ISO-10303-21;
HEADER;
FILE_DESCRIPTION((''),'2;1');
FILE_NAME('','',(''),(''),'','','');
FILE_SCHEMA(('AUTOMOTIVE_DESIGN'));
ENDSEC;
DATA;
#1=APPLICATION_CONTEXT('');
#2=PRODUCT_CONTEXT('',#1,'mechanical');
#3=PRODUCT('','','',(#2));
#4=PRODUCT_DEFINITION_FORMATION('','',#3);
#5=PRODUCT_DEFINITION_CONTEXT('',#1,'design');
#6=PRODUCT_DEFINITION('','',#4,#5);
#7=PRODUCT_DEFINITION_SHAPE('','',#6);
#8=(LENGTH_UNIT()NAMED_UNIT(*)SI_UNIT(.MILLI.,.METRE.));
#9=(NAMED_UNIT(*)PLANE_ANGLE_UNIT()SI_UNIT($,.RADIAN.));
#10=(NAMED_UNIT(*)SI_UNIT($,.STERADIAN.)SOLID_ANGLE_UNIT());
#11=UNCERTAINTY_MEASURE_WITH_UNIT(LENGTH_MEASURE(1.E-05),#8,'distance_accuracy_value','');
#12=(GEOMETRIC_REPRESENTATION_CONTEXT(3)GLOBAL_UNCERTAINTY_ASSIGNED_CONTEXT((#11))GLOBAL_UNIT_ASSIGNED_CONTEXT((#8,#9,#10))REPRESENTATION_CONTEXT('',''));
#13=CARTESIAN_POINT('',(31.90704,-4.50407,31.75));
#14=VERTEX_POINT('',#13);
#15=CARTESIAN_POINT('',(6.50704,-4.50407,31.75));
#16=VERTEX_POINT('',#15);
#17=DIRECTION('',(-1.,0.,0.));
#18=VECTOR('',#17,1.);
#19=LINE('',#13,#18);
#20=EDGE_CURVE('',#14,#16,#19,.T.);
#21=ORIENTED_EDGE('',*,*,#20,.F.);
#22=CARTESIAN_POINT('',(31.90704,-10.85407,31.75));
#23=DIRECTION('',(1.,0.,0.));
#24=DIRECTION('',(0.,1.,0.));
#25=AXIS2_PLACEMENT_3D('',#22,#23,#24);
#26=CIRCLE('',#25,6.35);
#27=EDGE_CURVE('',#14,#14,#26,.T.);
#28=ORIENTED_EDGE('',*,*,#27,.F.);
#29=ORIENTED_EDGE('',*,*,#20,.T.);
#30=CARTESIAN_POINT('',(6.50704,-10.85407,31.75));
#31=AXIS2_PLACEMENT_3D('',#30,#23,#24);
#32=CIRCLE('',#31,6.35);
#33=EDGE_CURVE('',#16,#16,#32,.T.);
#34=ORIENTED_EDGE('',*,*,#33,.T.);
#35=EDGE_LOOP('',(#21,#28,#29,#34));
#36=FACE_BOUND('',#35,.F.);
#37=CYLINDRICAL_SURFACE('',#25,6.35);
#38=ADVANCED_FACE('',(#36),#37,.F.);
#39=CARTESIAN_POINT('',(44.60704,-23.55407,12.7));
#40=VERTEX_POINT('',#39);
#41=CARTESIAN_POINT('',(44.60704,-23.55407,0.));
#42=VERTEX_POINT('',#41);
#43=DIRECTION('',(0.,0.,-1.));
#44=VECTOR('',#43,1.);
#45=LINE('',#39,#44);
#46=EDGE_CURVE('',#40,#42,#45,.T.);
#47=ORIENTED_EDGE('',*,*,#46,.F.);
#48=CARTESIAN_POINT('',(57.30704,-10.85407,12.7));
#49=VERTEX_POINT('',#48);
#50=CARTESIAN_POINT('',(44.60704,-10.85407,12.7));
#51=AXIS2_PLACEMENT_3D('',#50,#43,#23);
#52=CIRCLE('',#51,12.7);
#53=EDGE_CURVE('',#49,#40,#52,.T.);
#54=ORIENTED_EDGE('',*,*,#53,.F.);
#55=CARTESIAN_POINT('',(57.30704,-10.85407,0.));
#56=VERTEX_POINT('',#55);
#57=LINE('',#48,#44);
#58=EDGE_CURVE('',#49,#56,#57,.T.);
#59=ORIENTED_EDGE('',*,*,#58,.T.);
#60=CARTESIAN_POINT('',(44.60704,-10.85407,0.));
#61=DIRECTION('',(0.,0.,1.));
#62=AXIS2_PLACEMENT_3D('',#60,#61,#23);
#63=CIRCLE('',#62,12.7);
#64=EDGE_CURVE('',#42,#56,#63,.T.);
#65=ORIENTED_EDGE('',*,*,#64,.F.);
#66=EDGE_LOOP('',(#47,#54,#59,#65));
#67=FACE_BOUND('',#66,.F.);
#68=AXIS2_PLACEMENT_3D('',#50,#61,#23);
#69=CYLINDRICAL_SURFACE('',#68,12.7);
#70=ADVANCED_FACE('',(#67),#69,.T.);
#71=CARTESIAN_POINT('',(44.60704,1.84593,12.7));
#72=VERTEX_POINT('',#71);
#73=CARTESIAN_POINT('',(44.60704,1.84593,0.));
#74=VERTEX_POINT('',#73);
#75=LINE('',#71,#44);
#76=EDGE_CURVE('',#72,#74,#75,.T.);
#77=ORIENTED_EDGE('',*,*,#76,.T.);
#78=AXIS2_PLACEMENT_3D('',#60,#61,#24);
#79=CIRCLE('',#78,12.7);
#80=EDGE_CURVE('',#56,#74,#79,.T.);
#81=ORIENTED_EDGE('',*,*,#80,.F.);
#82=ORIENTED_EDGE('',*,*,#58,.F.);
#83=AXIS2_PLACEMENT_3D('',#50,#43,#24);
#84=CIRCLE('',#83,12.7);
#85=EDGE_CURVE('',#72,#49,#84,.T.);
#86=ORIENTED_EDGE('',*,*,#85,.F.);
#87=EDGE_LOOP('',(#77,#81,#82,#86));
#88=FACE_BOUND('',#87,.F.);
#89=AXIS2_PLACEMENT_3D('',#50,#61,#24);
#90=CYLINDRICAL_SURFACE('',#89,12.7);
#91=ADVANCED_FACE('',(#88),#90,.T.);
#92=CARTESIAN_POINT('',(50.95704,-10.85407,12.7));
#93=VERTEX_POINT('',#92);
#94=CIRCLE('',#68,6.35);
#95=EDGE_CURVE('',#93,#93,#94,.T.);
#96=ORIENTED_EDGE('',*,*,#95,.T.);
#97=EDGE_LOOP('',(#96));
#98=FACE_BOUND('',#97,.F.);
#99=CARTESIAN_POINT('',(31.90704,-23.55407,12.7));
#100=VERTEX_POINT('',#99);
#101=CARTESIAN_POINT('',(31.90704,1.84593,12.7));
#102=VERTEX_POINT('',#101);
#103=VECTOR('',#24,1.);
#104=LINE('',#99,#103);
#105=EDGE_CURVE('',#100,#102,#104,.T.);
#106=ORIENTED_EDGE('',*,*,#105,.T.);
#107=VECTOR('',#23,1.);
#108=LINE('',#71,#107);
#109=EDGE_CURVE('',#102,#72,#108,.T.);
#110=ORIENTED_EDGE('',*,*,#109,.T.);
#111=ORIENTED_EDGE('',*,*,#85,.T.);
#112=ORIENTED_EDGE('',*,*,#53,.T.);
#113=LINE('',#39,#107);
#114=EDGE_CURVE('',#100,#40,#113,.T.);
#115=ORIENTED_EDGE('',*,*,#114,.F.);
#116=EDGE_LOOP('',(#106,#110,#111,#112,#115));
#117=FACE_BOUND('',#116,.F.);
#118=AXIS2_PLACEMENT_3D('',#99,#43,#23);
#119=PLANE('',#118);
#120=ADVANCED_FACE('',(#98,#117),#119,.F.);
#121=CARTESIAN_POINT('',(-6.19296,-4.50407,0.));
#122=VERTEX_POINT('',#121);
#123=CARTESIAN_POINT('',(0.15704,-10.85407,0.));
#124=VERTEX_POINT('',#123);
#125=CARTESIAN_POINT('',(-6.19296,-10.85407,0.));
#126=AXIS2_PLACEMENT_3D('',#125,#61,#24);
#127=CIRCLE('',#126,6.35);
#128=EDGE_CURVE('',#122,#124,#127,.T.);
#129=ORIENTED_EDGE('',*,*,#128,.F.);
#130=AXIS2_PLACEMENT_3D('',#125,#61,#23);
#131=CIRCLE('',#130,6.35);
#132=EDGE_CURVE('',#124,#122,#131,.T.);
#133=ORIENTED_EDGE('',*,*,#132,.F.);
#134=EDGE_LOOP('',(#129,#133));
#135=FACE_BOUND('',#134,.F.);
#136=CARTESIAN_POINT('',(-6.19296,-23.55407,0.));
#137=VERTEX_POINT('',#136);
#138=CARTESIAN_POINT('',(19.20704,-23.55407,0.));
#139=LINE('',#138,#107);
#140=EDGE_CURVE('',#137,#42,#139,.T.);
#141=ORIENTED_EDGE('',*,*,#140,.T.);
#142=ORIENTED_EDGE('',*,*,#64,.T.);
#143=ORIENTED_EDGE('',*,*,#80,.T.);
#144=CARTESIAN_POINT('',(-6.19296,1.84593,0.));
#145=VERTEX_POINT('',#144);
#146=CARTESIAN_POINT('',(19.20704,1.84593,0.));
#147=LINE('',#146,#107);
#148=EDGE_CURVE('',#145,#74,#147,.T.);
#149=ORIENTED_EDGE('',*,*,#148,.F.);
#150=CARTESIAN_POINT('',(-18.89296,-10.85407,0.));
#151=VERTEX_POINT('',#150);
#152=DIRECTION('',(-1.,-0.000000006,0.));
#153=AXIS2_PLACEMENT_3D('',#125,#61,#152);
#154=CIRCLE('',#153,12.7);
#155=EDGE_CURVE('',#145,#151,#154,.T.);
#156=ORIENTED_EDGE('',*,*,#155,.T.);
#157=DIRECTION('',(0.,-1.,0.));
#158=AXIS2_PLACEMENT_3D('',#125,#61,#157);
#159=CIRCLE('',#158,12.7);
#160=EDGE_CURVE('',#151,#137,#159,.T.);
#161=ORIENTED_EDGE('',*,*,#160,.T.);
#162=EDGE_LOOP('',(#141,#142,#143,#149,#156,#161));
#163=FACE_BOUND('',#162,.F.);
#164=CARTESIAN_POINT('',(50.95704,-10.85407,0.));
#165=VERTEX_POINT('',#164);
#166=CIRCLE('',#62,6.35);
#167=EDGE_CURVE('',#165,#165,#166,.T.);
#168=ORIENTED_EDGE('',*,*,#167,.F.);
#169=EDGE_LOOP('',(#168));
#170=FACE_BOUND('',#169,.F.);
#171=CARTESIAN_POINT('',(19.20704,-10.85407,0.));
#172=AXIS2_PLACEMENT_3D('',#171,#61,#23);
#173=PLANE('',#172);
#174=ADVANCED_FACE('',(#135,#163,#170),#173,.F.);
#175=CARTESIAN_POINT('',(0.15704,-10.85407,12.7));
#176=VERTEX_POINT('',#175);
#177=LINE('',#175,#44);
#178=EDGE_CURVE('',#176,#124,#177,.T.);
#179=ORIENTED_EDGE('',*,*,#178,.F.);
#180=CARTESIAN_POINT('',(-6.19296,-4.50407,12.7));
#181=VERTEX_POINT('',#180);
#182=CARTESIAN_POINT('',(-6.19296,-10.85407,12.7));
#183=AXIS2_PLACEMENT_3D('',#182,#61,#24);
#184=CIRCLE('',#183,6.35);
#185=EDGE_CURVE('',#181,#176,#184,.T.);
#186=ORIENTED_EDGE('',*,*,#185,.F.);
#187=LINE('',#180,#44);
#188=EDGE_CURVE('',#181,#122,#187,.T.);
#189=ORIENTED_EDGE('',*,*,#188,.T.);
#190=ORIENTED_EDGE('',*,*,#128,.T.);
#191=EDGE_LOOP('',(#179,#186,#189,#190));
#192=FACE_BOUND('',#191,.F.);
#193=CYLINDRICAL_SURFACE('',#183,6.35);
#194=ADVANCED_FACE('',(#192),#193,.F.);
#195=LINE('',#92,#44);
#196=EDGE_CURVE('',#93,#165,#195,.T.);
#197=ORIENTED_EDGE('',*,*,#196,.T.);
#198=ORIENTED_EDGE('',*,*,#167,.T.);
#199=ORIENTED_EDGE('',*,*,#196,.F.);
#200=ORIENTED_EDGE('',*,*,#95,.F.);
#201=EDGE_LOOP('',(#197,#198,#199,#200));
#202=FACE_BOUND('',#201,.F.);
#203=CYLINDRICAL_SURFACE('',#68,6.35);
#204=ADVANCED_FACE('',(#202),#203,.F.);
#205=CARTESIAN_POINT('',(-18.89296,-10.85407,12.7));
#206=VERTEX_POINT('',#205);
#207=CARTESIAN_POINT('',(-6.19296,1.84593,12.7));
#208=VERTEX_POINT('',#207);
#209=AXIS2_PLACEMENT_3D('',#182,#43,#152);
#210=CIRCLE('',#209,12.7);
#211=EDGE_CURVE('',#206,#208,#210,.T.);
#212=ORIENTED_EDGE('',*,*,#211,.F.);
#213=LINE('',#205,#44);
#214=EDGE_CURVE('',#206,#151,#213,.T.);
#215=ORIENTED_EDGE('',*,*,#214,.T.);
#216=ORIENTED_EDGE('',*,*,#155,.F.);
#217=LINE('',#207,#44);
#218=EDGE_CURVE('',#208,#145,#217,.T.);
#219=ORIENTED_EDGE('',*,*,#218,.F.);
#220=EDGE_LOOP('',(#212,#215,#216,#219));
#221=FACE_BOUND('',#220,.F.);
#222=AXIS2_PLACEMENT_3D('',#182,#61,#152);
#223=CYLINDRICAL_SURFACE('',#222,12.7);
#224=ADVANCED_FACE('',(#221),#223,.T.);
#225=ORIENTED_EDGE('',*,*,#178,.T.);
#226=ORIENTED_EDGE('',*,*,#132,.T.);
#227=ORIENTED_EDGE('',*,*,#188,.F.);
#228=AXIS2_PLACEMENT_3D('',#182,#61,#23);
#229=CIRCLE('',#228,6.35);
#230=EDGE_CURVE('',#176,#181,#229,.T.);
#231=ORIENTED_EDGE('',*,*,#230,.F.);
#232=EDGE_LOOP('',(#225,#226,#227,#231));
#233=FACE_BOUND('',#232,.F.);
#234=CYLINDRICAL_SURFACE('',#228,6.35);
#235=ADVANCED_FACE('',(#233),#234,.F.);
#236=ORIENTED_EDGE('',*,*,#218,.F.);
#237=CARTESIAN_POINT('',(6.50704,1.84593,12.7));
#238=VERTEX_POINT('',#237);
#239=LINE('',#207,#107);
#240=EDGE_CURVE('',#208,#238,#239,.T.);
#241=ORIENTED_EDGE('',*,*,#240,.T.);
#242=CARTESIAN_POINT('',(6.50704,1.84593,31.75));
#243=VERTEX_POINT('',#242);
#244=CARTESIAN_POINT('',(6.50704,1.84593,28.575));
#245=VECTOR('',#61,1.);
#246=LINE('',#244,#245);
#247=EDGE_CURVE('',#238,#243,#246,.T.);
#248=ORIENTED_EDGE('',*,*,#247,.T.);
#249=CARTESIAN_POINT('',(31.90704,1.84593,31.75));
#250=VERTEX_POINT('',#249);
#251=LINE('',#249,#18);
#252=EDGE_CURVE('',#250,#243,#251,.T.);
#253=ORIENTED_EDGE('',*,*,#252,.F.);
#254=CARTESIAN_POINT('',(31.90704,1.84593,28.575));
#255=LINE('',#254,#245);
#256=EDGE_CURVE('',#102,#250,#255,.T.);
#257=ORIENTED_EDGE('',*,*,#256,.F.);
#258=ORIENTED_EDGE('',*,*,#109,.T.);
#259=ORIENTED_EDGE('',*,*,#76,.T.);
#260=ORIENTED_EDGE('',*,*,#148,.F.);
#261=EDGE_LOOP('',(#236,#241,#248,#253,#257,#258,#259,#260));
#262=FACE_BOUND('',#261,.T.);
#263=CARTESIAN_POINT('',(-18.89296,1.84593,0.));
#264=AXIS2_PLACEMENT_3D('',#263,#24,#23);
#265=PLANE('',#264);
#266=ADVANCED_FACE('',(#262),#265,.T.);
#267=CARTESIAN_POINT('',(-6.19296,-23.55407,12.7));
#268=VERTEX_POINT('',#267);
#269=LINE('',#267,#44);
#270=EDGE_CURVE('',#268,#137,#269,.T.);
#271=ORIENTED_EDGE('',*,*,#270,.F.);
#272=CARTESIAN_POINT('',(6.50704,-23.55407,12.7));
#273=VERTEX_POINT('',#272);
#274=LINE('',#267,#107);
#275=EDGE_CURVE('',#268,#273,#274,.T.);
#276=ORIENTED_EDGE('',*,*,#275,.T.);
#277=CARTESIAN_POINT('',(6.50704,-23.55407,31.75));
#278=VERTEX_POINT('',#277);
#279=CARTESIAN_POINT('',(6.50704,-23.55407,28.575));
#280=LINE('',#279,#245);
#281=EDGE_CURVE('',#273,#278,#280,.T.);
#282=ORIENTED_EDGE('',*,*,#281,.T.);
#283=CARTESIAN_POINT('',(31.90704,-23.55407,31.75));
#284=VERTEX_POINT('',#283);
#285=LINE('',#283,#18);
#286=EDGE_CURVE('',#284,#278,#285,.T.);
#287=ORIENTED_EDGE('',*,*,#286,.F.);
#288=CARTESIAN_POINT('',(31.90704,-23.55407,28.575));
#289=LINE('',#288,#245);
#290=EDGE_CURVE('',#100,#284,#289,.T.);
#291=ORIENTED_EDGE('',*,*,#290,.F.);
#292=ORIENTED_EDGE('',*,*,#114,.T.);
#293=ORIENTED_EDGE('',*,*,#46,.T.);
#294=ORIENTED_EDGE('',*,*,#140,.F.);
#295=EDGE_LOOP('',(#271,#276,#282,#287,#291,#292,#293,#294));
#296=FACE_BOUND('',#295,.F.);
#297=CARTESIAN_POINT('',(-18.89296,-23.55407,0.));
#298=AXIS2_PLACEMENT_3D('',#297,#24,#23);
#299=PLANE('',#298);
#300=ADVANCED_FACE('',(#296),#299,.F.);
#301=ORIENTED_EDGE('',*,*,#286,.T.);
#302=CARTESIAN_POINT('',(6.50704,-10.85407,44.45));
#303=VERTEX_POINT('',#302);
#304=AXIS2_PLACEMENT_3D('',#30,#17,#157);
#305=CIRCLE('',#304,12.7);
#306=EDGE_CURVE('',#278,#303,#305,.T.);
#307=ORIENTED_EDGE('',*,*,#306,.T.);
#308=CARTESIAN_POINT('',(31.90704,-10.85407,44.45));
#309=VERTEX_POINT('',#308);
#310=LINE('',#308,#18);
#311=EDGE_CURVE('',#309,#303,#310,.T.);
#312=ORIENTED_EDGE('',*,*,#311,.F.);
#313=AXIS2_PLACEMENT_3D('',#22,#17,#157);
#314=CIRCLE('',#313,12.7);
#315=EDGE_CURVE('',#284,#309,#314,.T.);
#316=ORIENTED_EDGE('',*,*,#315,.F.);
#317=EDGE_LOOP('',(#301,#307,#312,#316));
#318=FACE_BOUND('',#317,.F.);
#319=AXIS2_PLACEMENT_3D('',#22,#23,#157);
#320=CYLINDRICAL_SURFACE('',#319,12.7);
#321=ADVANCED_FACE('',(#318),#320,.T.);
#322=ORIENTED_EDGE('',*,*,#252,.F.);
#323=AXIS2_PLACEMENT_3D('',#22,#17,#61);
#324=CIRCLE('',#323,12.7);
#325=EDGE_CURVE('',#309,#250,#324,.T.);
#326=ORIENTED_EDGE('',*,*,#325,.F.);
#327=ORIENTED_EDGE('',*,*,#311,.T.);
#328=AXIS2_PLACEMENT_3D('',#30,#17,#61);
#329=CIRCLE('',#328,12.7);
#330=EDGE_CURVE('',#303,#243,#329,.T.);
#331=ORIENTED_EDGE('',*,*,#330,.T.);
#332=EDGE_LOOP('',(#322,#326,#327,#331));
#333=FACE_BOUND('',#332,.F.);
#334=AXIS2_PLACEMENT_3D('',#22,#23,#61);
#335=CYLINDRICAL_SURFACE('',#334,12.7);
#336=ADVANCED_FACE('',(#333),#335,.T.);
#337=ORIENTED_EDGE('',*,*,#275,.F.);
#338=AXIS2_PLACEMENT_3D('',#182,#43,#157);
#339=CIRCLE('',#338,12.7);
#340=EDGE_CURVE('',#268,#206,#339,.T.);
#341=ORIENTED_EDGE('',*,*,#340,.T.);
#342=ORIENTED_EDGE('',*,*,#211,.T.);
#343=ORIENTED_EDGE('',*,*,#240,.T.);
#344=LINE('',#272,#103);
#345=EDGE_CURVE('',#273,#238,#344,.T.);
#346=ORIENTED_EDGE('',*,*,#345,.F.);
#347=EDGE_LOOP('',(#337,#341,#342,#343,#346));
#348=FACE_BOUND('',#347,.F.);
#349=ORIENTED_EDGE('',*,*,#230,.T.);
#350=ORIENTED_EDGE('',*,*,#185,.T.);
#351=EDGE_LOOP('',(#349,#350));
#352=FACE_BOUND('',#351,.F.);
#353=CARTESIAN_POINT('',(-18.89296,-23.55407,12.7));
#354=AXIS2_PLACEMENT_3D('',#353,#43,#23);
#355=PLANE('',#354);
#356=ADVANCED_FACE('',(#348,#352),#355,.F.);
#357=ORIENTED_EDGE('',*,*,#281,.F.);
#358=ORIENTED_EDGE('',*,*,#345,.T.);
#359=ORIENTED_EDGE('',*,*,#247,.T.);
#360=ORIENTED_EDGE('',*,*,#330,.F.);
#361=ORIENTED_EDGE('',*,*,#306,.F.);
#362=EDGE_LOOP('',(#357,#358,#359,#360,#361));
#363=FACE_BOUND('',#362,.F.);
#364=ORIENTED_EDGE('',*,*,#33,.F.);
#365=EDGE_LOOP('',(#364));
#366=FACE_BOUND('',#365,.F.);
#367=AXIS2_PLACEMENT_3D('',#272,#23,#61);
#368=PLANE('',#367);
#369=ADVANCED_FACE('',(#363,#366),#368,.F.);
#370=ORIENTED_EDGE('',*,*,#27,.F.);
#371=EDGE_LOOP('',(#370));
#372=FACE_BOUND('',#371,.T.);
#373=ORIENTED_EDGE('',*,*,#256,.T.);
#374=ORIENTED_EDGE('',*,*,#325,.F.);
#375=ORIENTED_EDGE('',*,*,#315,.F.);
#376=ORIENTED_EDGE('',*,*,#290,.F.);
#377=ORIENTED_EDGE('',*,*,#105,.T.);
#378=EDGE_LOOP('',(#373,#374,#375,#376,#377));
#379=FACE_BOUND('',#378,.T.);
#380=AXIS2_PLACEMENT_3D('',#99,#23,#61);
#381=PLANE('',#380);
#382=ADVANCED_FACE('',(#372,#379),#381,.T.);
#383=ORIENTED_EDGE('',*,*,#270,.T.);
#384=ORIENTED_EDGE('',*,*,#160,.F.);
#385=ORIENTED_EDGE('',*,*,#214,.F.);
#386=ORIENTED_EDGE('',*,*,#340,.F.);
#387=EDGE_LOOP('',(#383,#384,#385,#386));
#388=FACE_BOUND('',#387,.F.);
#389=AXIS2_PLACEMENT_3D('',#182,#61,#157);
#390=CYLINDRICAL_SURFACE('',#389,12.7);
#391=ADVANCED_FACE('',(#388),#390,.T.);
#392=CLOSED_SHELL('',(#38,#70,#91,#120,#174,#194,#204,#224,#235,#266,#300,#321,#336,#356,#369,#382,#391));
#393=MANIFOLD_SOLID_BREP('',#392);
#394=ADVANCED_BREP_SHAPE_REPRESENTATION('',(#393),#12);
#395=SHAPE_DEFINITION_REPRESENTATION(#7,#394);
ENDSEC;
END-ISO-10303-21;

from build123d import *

# Parameters (mm, degrees)
F0_W      = 76.2
F0_H      = 25.4
F1_DEPTH  = 44.45
F2_W      = 25.4
F2_H      = 31.75
F3_DEPTH  = 25.4
F4_R      = 6.35
F5_DEPTH  = 25.4
F7_DEPTH  = 25.4
F9_DEPTH  = 25.4
F11_DEPTH = 25.4
F13_DEPTH = 25.4
F15_DEPTH = 25.4


with BuildPart() as f1:
    # F0 (on Top) → F1 (new body)
    with BuildSketch(Plane.XY):
        with Locations((19.2070399102, -10.8540700749)):
            Rectangle(F0_W, F0_H)
    extrude(amount=F1_DEPTH)

    # F2 (on face) → F3 (cut)
    with BuildSketch(Plane.XZ.offset(23.5540700749)):
        with Locations((-6.1929600898, 28.575)):
            Rectangle(F2_W, F2_H)
        with Locations((44.6070399102, 28.575)):
            Rectangle(F2_W, F2_H)
    extrude(amount=-F3_DEPTH, mode=Mode.SUBTRACT)

    # F4 (on face) → F5 (cut)
    with BuildSketch(Plane.XY.offset(12.7)):
        with Locations((44.6070399102, -10.8540700749)):
            Circle(F4_R)
    extrude(amount=-F5_DEPTH, mode=Mode.SUBTRACT)

    # F6 (on face) → F7 (cut)
    with BuildSketch(Plane.XY.offset(12.7)):
        with BuildLine():
            ThreePointArc((-6.1929600898, -4.5040700749), (-10.6830881503, -15.3441981354), (0.1570399102, -10.8540700749))
            ThreePointArc((0.1570399102, -10.8540700749), (-1.7028320292, -6.3639420143), (-6.1929600898, -4.5040700749))
        make_face()
    extrude(amount=-F7_DEPTH, mode=Mode.SUBTRACT)

    # F8 (on face) → F9 (cut)
    with BuildSketch(Plane.XY.offset(12.7)):
        with BuildLine():
            ThreePointArc((44.6070399102, 1.8459299251), (53.5872960313, -1.8738139538), (57.3070399102, -10.8540700749))
            Line((57.3070399102, -10.8540700749), (57.3070399102, 1.8459299251))
            Line((57.3070399102, 1.8459299251), (44.6070399102, 1.8459299251))
        make_face()
        with BuildLine():
            ThreePointArc((57.3070399102, -10.8540700749), (53.5872960313, -19.8343261959), (44.6070399102, -23.5540700749))
            Line((44.6070399102, -23.5540700749), (57.3070399102, -23.5540700749))
            Line((57.3070399102, -23.5540700749), (57.3070399102, -10.8540700749))
        make_face()
    extrude(amount=-F9_DEPTH, mode=Mode.SUBTRACT)

    # F10 (on face) → F11 (cut)
    with BuildSketch(Plane.XY.offset(12.7)):
        with BuildLine():
            ThreePointArc((-6.1929600898, -23.5540700749), (-15.173216183, -19.8343262238), (-18.8929600898, -10.8540701536))
            Line((-18.8929600898, -10.8540701536), (-18.8929600898, -23.5540700749))
            Line((-18.8929600898, -23.5540700749), (-6.1929600898, -23.5540700749))
        make_face()
        with BuildLine():
            ThreePointArc((-18.8929600898, -10.8540701536), (-15.1732162387, -1.8738139816), (-6.1929600898, 1.8459299251))
            Line((-6.1929600898, 1.8459299251), (-18.8929600898, 1.8459299251))
            Line((-18.8929600898, 1.8459299251), (-18.8929600898, -10.8540701536))
        make_face()
    extrude(amount=-F11_DEPTH, mode=Mode.SUBTRACT)

    # F12 (on face) → F13 (cut)
    with BuildSketch(Plane.YZ.offset(31.9070399102)):
        with BuildLine():
            Line((-4.5040700749, 31.75), (-17.2040700749, 31.75))
            ThreePointArc((-17.2040700749, 31.75), (-10.8540700749, 25.4), (-4.5040700749, 31.75))
        make_face()
        with BuildLine():
            ThreePointArc((-4.5040700749, 31.75), (-10.8540700749, 38.1), (-17.2040700749, 31.75))
            Line((-17.2040700749, 31.75), (-4.5040700749, 31.75))
        make_face()
    extrude(amount=-F13_DEPTH, mode=Mode.SUBTRACT)

    # F14 (on face) → F15 (cut)
    with BuildSketch(Plane.YZ.offset(31.9070399102)):
        with BuildLine():
            ThreePointArc((-23.5540700749, 31.75), (-19.8343261959, 40.7302561211), (-10.8540700749, 44.45))
            Line((-10.8540700749, 44.45), (-23.5540700749, 44.45))
            Line((-23.5540700749, 44.45), (-23.5540700749, 31.75))
        make_face()
        with BuildLine():
            ThreePointArc((-10.8540700749, 44.45), (-1.8738139538, 40.7302561211), (1.8459299251, 31.75))
            Line((1.8459299251, 31.75), (1.8459299251, 44.45))
            Line((1.8459299251, 44.45), (-10.8540700749, 44.45))
        make_face()
    extrude(amount=-F15_DEPTH, mode=Mode.SUBTRACT)


solid = f1.part
